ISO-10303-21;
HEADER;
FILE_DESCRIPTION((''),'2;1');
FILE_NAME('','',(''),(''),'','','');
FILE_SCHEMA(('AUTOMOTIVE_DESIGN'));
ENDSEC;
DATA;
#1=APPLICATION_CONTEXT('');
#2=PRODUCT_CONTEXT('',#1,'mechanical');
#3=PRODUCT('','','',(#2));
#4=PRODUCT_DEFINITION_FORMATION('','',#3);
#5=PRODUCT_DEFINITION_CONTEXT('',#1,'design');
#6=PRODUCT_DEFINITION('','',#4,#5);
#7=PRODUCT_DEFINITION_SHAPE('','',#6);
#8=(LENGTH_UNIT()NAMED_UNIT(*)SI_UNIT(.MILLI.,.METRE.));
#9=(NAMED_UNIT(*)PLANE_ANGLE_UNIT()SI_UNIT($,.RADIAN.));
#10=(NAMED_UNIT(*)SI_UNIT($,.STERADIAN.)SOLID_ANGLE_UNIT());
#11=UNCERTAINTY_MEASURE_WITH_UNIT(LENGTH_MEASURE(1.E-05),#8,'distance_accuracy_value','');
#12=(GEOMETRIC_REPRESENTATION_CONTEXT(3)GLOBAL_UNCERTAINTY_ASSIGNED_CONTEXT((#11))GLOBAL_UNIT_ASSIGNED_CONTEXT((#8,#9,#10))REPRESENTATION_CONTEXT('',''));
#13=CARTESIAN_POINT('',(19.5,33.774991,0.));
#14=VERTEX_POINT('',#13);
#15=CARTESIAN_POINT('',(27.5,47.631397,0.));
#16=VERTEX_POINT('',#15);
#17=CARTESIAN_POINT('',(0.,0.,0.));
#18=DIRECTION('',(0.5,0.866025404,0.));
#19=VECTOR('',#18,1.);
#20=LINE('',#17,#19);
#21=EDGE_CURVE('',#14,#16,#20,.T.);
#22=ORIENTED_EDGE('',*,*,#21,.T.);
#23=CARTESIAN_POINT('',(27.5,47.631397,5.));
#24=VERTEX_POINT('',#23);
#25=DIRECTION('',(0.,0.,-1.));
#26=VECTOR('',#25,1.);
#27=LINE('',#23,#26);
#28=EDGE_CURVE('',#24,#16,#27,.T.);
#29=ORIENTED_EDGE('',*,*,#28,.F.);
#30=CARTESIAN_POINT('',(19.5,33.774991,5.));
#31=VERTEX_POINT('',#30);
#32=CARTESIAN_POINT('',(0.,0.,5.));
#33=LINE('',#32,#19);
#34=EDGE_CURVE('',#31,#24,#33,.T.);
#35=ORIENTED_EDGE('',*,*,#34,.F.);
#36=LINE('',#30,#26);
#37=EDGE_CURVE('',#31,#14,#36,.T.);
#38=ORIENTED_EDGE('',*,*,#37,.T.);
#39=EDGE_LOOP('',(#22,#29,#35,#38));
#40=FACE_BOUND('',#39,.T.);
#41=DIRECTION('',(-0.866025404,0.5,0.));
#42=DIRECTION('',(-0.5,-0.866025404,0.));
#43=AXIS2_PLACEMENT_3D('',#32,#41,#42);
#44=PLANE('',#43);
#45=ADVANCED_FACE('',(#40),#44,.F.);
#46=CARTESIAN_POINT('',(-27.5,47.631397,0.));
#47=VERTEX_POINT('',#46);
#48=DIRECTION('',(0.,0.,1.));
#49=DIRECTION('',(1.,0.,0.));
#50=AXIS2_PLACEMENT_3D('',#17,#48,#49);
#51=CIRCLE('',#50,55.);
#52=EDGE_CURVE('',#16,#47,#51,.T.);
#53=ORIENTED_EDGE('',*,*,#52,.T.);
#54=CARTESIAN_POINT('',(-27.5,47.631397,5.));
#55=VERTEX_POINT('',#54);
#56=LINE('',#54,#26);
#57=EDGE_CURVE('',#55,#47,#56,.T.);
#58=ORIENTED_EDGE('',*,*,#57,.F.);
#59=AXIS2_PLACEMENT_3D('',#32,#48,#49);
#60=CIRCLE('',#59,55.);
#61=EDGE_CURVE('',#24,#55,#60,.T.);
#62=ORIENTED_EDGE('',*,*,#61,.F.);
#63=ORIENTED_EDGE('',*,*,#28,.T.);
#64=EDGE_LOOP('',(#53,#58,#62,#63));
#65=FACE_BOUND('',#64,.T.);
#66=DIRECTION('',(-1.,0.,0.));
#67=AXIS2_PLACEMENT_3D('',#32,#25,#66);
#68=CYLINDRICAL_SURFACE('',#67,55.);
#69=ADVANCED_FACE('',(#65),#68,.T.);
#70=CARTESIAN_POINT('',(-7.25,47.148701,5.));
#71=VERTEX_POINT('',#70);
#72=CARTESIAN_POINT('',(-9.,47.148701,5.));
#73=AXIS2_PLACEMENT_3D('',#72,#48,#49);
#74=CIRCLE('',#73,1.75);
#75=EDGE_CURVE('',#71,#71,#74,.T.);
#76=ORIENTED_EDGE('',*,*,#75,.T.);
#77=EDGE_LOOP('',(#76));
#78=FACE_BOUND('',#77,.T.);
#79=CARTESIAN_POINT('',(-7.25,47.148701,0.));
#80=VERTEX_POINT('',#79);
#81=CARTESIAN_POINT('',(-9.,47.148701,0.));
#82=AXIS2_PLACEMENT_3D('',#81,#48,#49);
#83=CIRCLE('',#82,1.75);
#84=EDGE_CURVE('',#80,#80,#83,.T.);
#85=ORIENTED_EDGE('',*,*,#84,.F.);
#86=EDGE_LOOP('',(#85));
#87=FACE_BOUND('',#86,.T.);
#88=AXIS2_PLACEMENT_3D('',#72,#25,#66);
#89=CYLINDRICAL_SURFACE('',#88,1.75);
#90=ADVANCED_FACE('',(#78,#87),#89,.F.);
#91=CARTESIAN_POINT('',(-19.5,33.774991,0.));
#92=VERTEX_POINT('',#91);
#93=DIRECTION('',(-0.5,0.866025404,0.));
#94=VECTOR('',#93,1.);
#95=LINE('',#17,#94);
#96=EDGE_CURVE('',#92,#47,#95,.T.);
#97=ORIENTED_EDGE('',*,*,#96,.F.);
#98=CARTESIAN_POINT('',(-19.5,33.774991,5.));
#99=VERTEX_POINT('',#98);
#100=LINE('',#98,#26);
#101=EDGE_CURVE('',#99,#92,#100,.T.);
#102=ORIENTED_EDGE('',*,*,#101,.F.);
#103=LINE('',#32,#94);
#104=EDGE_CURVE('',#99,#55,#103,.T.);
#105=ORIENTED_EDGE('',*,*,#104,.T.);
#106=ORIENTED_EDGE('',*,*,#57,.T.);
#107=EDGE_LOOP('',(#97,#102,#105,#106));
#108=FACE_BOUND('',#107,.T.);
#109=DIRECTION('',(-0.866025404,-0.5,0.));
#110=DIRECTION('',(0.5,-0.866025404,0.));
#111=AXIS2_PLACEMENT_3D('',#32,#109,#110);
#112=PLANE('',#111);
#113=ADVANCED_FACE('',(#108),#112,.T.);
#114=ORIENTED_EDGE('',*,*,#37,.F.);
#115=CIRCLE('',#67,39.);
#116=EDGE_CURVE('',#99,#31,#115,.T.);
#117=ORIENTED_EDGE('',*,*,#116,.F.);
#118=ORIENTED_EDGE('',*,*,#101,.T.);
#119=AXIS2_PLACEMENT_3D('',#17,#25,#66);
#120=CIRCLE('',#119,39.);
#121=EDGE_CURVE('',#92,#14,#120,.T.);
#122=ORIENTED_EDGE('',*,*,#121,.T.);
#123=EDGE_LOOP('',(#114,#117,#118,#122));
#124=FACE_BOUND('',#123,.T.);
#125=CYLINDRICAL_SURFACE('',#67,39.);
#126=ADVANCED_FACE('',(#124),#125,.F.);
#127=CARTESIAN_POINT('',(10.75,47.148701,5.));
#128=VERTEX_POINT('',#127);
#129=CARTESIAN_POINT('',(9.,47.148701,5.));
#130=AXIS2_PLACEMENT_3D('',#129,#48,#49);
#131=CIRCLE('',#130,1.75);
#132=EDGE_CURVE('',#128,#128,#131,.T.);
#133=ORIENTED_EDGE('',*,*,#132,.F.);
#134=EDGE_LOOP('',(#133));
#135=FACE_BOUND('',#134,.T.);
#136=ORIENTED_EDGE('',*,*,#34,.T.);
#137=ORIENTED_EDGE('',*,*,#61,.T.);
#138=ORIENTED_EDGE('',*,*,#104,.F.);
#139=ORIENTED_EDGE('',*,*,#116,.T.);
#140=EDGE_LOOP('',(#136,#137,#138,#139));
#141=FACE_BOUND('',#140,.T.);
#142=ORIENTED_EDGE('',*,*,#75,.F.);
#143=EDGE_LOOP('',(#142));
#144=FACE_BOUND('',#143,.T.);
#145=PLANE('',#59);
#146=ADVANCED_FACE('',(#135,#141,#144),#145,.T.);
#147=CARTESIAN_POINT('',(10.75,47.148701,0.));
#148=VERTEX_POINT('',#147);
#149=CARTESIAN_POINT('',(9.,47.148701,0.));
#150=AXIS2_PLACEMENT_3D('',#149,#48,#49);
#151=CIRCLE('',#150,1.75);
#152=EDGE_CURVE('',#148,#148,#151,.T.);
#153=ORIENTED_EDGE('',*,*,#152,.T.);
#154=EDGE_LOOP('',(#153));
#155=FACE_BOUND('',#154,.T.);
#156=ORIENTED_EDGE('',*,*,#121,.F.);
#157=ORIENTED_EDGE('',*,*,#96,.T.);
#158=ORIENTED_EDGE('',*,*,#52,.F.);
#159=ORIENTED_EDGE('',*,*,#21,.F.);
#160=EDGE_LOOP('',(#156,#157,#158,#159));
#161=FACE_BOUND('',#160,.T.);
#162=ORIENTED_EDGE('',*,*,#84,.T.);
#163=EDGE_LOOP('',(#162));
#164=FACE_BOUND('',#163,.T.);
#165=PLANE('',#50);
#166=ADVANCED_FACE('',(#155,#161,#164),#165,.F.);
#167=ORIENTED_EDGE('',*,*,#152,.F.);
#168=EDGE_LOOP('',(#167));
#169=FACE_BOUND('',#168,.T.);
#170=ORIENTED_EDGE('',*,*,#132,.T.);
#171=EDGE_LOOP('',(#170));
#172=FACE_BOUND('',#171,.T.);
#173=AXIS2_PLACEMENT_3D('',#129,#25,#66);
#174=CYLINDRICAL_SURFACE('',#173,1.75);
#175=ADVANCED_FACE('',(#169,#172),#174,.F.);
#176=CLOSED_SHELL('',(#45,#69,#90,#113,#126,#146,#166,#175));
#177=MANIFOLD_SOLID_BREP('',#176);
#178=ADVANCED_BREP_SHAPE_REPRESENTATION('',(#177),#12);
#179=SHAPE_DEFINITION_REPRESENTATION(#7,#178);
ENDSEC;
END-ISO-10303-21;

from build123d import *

# Parameters (mm, degrees)
ESQUISSE2_R             = 1.75
BOSS_EXTRU_1_DEPTH      = 5
ESQUISSE3_R             = 39
ENL_V_MAT_EXTRU_1_DEPTH = 6


with BuildPart() as part:
    # Esquisse2 → Boss.-Extru.1 (new body)
    with BuildSketch(Plane.XY):
        with BuildLine():
            Line((0, 0), (27.5, 47.631397208))
            ThreePointArc((27.5, 47.631397208), (0, 55), (-27.5, 47.631397208))
            Line((-27.5, 47.631397208), (0, 0))
        make_face()
        with Locations((-9, 47.148700937)):
            Circle(ESQUISSE2_R, mode=Mode.SUBTRACT)
        with Locations((9, 47.148700937)):
            Circle(ESQUISSE2_R, mode=Mode.SUBTRACT)
    extrude(amount=BOSS_EXTRU_1_DEPTH)

    # Esquisse3 → Enlèv. mat.-Extru.1 (cut, through all)
    with BuildSketch(Plane(origin=(0, 0, 0), x_dir=(-1, 0, 0), z_dir=(0, 0, -1))):
        Circle(ESQUISSE3_R)
    extrude(amount=-ENL_V_MAT_EXTRU_1_DEPTH, mode=Mode.SUBTRACT)


solid = part.part
